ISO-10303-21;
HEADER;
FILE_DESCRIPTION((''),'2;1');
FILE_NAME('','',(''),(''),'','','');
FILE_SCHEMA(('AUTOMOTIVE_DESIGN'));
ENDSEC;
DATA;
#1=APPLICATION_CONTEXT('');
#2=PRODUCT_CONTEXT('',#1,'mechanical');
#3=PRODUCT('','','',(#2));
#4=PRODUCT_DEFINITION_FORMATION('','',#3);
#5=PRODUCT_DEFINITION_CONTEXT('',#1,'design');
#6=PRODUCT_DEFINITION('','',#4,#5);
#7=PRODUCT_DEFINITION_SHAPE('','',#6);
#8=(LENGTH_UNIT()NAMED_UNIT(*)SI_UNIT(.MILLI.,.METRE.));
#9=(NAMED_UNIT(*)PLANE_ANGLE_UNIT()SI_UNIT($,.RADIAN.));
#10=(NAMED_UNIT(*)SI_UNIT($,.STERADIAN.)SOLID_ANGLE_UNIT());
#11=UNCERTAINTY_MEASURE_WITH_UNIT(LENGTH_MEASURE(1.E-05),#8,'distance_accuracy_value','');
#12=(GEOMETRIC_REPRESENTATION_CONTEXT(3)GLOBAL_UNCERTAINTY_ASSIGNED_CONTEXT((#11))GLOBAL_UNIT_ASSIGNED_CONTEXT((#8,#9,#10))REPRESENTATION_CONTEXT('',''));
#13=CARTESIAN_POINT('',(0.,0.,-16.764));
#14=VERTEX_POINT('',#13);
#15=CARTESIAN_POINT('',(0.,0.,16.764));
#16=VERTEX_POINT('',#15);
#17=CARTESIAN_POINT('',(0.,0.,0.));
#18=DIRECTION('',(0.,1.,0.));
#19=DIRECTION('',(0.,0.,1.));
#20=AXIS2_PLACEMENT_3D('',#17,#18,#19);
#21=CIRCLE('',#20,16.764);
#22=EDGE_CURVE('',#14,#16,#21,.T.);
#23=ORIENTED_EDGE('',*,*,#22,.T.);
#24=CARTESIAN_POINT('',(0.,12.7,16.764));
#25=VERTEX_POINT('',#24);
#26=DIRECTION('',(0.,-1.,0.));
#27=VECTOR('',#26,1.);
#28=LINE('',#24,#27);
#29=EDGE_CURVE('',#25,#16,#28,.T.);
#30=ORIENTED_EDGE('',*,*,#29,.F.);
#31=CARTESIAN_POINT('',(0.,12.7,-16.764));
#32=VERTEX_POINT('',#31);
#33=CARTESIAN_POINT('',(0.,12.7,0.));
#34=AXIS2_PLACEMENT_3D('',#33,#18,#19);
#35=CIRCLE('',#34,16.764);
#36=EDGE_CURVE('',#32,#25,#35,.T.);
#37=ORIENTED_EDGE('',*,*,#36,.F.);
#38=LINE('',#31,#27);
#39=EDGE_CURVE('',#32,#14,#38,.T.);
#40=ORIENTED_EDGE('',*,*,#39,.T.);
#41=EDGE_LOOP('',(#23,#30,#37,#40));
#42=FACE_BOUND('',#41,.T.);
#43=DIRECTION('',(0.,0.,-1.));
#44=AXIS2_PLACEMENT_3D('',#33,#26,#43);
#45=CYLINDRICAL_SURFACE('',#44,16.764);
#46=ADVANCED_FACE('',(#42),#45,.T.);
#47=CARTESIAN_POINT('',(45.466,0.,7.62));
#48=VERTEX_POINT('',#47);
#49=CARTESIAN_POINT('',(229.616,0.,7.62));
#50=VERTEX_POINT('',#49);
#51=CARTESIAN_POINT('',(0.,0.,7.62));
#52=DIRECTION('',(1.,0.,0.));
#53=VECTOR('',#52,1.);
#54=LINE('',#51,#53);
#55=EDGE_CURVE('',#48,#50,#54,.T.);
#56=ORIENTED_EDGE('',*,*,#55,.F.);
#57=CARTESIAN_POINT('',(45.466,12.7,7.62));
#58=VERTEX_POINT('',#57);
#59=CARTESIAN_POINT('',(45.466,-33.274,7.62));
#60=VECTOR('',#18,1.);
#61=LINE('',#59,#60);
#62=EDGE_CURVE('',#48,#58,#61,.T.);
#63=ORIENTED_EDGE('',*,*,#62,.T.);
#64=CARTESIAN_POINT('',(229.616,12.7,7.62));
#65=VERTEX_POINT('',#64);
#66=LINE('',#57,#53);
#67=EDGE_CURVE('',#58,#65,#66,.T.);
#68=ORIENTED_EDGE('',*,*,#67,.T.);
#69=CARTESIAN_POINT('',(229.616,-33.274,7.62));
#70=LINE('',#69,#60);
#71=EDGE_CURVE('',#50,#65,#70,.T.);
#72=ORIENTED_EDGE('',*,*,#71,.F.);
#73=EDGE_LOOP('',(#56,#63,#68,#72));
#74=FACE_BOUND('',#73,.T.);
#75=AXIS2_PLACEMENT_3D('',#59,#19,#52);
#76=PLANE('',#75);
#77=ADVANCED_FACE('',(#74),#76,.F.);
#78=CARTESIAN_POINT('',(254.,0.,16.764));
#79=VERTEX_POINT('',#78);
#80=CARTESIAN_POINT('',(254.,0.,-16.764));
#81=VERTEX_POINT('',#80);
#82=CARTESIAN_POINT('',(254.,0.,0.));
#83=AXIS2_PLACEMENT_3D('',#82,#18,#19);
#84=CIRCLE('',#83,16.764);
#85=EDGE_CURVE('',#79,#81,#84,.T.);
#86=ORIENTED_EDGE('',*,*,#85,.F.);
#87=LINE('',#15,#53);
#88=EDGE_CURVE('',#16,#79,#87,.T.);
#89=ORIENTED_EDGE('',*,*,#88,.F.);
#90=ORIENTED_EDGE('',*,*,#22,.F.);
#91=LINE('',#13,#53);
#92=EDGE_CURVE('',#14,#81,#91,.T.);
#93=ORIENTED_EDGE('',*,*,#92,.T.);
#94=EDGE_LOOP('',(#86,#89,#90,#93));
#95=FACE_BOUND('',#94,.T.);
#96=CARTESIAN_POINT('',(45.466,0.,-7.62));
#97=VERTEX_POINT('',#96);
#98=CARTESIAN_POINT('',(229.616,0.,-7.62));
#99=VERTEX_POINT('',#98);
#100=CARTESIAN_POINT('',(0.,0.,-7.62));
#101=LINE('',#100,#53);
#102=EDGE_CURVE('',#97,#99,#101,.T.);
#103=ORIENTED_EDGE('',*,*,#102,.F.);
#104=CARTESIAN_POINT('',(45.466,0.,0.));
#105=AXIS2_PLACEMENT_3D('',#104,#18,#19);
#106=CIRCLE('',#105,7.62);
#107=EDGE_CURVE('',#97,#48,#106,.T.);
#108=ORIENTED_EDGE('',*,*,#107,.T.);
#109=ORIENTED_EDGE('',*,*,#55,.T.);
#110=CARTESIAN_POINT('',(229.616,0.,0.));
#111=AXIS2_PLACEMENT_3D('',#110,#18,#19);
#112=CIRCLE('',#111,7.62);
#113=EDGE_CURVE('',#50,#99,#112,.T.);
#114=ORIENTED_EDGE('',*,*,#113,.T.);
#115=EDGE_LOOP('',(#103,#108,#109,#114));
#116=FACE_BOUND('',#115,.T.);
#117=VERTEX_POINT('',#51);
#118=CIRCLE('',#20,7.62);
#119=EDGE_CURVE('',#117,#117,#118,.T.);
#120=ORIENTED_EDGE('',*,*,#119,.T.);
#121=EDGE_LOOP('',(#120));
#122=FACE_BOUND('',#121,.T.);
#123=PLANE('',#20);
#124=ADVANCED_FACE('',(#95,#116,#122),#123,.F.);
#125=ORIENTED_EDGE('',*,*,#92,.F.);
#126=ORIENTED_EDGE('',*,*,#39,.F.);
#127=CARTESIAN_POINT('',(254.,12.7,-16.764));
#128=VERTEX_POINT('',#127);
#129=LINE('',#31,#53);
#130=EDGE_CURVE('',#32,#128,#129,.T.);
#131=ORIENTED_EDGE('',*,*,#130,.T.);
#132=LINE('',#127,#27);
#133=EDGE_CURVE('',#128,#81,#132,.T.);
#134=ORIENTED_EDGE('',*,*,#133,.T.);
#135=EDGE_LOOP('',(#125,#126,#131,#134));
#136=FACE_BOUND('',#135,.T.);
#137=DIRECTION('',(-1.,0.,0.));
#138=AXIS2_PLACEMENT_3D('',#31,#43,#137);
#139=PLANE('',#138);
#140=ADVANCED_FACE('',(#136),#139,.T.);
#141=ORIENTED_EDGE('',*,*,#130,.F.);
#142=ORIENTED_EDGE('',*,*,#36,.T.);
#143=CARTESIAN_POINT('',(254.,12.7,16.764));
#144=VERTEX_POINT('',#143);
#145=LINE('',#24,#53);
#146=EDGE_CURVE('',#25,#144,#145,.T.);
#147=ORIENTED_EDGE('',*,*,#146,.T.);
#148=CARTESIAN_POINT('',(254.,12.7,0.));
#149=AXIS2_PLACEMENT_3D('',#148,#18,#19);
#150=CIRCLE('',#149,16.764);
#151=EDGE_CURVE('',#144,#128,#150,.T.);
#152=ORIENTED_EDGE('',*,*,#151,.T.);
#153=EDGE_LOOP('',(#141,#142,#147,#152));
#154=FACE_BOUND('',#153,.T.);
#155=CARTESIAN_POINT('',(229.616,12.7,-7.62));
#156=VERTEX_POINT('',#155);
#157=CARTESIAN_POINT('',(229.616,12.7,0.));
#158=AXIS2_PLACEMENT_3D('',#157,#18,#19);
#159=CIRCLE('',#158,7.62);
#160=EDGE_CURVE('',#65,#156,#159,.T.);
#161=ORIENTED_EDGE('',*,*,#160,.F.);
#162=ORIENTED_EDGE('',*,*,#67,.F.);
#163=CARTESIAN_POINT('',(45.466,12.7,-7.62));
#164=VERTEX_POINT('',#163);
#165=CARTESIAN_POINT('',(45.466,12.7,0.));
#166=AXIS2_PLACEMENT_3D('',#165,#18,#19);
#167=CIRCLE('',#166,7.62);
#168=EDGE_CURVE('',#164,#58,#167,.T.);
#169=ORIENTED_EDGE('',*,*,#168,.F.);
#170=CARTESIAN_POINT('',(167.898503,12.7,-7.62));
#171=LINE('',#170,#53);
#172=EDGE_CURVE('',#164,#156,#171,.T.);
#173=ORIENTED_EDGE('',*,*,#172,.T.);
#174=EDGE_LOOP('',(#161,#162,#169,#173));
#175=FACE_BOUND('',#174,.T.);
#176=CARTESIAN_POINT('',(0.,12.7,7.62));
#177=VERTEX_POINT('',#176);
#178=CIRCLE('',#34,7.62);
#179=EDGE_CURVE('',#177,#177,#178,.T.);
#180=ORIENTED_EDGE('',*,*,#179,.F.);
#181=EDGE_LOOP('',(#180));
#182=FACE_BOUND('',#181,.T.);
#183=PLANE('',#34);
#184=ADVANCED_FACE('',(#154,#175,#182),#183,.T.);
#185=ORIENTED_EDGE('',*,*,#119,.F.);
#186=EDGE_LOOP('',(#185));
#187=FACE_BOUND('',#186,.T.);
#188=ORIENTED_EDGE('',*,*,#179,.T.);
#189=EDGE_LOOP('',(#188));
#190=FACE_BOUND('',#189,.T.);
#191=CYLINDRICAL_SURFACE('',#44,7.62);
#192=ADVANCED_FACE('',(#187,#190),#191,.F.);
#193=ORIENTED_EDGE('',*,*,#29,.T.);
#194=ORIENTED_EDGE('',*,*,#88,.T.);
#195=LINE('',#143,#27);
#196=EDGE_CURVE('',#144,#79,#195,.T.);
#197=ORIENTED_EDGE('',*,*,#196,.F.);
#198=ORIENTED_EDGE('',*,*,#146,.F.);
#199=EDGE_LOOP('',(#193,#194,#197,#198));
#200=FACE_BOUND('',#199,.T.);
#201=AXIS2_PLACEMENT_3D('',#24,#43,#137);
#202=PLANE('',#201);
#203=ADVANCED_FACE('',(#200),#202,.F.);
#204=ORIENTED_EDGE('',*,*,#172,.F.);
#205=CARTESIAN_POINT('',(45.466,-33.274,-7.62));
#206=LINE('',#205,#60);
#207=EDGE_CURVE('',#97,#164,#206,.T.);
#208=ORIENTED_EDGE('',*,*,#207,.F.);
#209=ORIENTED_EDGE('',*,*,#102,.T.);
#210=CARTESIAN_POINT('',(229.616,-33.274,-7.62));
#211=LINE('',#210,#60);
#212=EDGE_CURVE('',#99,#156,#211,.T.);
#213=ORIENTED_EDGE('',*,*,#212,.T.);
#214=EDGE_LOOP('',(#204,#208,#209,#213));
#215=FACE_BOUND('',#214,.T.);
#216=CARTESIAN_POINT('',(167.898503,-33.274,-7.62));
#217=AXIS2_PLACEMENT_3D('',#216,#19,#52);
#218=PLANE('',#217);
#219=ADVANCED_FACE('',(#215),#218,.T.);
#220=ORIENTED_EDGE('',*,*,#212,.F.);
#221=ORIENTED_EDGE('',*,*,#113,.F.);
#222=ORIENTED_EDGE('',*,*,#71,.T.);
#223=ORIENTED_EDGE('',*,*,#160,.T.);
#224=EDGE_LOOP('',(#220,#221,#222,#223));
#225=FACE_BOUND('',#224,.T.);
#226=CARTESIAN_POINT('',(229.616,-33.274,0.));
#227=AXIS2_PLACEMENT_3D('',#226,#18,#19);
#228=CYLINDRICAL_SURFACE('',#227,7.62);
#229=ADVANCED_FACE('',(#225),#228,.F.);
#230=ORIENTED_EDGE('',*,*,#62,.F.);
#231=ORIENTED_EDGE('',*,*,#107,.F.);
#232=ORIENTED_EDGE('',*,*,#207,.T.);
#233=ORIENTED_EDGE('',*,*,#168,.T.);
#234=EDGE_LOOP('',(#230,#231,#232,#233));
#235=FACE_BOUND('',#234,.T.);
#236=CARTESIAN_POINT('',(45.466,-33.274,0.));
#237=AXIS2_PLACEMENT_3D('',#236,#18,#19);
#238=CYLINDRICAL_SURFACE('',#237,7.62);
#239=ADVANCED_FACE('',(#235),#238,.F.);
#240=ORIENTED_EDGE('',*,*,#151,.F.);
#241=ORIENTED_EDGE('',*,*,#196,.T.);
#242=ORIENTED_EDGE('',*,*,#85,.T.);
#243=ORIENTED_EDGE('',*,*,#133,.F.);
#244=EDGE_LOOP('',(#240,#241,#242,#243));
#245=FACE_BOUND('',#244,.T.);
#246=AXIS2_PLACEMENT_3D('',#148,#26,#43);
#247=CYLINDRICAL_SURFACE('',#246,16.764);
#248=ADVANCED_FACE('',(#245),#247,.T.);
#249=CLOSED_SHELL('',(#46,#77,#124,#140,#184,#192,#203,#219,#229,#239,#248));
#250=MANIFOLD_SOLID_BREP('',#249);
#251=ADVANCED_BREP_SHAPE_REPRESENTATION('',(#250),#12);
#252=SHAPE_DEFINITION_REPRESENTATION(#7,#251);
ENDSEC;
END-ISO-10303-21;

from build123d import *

# Parameters (mm, degrees)
SKETCH1_R           = 7.62
BOSS_EXTRUDE1_DEPTH = 12.7
CUT_EXTRUDE1_DEPTH  = 45.974


with BuildPart() as part:
    # Sketch1 → Boss-Extrude1 (new body)
    with BuildSketch(Plane(origin=(0, 0, 0), x_dir=(1, 0, 0), z_dir=(0, 1, 0))):
        with BuildLine():
            Line((0, 16.764), (254, 16.764))
            ThreePointArc((254, 16.764), (270.764, 0), (254, -16.764))
            Line((254, -16.764), (0, -16.764))
            ThreePointArc((0, -16.764), (-16.764, 0), (0, 16.764))
        make_face()
        with Locations(Location((0, 0, 0), (0, 0, 270))):
            Circle(SKETCH1_R, mode=Mode.SUBTRACT)
    extrude(amount=BOSS_EXTRUDE1_DEPTH)

    # Sketch3 → Cut-Extrude1 (cut)
    with BuildSketch(Plane(origin=(0, 12.7, 0), x_dir=(1, 0, 0), z_dir=(0, 1, 0))):
        with BuildLine():
            ThreePointArc((45.466, 7.62), (37.846, 0), (45.466, -7.62))
            Line((45.466, -7.62), (102.616, -7.62))
            Line((102.616, -7.62), (229.616, -7.62))
            ThreePointArc((229.616, -7.62), (237.236, 0), (229.616, 7.62))
            Line((229.616, 7.62), (167.898503034, 7.62))
            Line((167.898503034, 7.62), (45.466, 7.62))
        make_face()
    extrude(amount=-CUT_EXTRUDE1_DEPTH, mode=Mode.SUBTRACT)


solid = part.part
